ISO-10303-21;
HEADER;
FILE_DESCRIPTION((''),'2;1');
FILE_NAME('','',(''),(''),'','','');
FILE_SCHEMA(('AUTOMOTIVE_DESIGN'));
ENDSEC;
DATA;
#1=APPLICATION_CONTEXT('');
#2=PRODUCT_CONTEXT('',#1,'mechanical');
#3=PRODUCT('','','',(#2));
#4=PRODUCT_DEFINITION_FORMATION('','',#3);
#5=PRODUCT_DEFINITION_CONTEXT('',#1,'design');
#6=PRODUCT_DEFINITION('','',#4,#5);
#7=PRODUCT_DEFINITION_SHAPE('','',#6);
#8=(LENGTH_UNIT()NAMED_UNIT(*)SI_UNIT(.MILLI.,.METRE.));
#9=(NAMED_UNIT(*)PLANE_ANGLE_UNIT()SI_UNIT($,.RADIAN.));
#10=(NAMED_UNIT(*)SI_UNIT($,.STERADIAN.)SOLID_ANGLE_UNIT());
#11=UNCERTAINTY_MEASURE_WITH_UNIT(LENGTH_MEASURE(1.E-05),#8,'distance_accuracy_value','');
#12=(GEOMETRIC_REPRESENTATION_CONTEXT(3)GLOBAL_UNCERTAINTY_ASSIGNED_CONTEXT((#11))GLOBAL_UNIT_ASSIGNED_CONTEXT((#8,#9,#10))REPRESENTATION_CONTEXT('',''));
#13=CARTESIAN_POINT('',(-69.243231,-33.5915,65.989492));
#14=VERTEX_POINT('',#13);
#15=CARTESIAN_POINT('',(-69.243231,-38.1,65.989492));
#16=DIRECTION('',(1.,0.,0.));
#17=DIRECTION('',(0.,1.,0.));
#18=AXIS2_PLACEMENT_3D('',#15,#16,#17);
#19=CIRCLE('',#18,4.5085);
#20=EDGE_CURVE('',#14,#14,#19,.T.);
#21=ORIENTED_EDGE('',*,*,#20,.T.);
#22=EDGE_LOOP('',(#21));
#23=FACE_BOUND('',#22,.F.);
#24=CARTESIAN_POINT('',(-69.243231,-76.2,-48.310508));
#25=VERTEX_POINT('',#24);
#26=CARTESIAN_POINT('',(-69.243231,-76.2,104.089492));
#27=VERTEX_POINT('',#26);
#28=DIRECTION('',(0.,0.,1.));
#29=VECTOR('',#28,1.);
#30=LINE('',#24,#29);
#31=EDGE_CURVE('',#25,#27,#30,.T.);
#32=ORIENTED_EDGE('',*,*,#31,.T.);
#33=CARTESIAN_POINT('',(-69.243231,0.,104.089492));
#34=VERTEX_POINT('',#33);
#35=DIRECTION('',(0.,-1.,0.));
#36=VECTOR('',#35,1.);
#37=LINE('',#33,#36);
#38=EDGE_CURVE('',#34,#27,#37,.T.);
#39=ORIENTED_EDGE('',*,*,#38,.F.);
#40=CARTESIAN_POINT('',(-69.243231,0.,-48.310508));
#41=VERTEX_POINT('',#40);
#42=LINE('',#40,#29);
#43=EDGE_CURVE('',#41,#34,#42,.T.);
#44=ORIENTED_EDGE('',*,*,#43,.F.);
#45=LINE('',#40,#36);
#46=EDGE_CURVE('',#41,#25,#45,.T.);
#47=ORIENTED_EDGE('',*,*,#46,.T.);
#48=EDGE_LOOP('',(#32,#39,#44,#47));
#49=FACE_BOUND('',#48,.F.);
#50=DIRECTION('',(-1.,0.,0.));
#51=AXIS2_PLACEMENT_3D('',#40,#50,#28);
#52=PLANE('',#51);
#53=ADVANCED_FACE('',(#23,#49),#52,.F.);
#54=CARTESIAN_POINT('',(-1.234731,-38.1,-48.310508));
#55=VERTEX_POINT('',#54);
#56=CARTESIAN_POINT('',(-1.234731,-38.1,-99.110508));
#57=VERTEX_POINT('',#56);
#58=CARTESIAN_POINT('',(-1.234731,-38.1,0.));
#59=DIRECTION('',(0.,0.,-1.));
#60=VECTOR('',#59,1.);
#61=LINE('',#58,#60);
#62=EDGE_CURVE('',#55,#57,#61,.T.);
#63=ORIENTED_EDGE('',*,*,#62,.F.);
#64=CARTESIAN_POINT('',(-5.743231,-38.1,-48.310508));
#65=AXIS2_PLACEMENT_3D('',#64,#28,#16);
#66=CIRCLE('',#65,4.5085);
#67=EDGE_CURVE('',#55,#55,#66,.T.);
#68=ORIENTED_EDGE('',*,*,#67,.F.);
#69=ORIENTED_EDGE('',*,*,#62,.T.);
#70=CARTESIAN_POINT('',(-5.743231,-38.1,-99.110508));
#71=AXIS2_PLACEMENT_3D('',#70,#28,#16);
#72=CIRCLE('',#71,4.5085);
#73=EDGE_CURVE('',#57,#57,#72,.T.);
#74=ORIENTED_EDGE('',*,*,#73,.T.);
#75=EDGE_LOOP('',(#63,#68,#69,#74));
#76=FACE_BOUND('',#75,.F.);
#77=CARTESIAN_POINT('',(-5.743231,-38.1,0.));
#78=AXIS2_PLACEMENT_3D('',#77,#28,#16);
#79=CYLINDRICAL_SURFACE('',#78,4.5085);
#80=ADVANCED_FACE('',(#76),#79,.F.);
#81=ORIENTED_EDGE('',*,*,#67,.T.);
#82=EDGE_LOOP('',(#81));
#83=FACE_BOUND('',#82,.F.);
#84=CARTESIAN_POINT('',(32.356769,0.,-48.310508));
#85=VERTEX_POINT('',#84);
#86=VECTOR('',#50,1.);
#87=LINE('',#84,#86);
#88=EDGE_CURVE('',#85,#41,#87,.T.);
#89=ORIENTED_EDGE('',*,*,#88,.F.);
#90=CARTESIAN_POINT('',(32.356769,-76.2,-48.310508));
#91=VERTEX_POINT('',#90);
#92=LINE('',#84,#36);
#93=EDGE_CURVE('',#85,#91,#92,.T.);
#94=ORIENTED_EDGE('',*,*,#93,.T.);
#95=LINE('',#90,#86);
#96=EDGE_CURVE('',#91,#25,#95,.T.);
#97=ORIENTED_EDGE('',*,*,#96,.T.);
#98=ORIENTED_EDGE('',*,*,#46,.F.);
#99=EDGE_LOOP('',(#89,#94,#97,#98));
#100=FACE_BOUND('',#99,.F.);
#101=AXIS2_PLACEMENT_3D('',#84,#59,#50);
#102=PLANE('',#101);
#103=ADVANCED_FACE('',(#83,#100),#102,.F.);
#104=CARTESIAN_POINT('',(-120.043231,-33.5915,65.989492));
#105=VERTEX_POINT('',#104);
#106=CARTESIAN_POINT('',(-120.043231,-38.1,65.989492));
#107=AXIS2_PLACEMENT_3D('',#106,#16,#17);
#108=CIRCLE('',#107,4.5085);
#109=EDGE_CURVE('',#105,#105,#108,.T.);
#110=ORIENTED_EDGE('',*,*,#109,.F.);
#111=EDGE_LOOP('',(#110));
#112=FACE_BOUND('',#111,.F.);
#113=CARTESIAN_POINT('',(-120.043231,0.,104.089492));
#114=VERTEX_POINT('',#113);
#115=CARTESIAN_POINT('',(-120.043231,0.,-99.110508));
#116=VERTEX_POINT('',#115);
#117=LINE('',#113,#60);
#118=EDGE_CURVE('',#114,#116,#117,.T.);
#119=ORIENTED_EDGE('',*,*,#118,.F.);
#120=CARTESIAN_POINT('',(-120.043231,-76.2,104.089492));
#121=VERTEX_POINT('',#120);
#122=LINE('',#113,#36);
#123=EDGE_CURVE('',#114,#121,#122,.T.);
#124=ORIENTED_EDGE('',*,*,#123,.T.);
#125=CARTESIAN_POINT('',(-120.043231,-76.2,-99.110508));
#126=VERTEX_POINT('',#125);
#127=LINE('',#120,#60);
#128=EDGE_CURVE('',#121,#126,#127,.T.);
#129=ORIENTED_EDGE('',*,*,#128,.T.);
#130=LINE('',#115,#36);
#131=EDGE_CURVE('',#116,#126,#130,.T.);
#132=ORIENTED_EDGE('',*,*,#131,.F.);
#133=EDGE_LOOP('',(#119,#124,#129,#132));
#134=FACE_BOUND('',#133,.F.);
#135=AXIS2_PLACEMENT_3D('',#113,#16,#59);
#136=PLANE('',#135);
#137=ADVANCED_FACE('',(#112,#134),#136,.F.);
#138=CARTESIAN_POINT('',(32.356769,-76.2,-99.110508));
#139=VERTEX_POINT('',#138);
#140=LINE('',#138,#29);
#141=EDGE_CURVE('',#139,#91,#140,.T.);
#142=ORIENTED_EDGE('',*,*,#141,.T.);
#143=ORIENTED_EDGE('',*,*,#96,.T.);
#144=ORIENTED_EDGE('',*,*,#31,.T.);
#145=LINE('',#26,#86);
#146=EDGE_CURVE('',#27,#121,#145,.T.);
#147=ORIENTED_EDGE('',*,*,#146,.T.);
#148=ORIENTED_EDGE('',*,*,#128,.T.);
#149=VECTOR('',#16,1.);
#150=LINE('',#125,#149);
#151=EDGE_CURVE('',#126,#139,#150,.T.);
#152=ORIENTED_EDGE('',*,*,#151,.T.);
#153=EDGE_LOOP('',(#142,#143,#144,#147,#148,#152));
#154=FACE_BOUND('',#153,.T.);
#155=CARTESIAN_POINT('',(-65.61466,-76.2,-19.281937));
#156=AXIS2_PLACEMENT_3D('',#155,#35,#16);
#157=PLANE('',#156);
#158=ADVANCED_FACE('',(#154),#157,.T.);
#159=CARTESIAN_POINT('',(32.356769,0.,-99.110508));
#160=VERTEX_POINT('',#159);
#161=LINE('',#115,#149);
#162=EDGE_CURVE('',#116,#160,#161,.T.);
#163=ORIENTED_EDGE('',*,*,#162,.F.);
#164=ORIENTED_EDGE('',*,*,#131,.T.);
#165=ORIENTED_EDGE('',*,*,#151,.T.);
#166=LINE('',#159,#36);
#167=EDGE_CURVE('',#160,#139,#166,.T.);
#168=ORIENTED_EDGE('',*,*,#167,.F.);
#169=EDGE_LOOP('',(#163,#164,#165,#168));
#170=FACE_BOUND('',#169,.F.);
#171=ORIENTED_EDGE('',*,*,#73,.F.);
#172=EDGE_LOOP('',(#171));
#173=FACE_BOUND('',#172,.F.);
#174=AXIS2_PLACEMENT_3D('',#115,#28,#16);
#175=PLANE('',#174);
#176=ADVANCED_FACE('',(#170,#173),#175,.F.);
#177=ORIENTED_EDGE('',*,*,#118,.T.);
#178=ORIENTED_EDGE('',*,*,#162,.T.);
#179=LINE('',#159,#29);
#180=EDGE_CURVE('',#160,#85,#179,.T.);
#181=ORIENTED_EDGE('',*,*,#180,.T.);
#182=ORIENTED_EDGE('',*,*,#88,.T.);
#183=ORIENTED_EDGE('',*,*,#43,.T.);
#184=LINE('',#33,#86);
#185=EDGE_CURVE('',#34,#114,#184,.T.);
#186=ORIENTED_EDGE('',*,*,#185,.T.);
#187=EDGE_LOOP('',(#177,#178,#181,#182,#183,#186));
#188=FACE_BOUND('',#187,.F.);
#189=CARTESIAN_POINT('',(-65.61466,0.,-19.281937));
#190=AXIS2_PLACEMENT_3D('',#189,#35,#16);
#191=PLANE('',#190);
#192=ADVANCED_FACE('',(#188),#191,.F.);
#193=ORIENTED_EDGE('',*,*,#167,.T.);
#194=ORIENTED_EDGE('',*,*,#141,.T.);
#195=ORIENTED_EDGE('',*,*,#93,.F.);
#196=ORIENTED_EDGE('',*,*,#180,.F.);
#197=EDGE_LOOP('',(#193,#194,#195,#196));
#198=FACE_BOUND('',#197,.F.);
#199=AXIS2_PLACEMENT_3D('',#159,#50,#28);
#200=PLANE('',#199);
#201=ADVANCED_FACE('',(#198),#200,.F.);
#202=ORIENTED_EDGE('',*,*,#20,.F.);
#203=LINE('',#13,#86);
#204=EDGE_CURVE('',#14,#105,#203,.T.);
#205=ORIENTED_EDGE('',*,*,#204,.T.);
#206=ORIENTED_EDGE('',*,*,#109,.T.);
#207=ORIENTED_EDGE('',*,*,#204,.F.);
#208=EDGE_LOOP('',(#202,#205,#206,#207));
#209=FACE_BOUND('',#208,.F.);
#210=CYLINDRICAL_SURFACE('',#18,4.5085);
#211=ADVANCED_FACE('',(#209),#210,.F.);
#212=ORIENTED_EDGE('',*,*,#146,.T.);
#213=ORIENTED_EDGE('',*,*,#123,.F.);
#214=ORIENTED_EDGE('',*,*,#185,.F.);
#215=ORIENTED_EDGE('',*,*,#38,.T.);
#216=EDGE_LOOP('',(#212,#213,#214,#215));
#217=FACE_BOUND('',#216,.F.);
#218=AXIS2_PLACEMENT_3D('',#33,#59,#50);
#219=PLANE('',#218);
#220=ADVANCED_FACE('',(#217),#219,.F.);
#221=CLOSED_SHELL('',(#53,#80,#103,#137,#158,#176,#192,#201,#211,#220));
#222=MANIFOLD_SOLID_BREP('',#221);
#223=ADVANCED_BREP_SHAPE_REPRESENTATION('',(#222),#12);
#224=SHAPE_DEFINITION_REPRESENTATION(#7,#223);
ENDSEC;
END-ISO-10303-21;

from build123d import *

# Parameters (mm, degrees)
F1_DEPTH = 76.2
F3_R     = 4.5085
F4_DEPTH = 101.6
F2_R     = 4.5085
F5_DEPTH = 584.2


with BuildPart() as f1:
    # F0 (on Front) → F1 (new body)
    with BuildSketch(Plane.XZ):
        Polygon((-69.243231, 104.089492), (-120.043231, 104.089492), (-120.043231, -99.110508), (32.356769, -99.110508), (32.356769, -48.310508), (-69.243231, -48.310508), align=None)
    extrude(amount=F1_DEPTH)

    # F3 (on Top) → F4 (cut)
    with BuildSketch(Plane.XY):
        with Locations((-5.743231, -38.1)):
            Circle(F3_R)
    extrude(amount=-F4_DEPTH, mode=Mode.SUBTRACT)

    # F2 (on face) → F5 (cut)
    with BuildSketch(Plane.YZ.offset(-69.243231)):
        with Locations((-38.1, 65.989492)):
            Circle(F2_R)
    extrude(amount=-F5_DEPTH, mode=Mode.SUBTRACT)


solid = f1.part
